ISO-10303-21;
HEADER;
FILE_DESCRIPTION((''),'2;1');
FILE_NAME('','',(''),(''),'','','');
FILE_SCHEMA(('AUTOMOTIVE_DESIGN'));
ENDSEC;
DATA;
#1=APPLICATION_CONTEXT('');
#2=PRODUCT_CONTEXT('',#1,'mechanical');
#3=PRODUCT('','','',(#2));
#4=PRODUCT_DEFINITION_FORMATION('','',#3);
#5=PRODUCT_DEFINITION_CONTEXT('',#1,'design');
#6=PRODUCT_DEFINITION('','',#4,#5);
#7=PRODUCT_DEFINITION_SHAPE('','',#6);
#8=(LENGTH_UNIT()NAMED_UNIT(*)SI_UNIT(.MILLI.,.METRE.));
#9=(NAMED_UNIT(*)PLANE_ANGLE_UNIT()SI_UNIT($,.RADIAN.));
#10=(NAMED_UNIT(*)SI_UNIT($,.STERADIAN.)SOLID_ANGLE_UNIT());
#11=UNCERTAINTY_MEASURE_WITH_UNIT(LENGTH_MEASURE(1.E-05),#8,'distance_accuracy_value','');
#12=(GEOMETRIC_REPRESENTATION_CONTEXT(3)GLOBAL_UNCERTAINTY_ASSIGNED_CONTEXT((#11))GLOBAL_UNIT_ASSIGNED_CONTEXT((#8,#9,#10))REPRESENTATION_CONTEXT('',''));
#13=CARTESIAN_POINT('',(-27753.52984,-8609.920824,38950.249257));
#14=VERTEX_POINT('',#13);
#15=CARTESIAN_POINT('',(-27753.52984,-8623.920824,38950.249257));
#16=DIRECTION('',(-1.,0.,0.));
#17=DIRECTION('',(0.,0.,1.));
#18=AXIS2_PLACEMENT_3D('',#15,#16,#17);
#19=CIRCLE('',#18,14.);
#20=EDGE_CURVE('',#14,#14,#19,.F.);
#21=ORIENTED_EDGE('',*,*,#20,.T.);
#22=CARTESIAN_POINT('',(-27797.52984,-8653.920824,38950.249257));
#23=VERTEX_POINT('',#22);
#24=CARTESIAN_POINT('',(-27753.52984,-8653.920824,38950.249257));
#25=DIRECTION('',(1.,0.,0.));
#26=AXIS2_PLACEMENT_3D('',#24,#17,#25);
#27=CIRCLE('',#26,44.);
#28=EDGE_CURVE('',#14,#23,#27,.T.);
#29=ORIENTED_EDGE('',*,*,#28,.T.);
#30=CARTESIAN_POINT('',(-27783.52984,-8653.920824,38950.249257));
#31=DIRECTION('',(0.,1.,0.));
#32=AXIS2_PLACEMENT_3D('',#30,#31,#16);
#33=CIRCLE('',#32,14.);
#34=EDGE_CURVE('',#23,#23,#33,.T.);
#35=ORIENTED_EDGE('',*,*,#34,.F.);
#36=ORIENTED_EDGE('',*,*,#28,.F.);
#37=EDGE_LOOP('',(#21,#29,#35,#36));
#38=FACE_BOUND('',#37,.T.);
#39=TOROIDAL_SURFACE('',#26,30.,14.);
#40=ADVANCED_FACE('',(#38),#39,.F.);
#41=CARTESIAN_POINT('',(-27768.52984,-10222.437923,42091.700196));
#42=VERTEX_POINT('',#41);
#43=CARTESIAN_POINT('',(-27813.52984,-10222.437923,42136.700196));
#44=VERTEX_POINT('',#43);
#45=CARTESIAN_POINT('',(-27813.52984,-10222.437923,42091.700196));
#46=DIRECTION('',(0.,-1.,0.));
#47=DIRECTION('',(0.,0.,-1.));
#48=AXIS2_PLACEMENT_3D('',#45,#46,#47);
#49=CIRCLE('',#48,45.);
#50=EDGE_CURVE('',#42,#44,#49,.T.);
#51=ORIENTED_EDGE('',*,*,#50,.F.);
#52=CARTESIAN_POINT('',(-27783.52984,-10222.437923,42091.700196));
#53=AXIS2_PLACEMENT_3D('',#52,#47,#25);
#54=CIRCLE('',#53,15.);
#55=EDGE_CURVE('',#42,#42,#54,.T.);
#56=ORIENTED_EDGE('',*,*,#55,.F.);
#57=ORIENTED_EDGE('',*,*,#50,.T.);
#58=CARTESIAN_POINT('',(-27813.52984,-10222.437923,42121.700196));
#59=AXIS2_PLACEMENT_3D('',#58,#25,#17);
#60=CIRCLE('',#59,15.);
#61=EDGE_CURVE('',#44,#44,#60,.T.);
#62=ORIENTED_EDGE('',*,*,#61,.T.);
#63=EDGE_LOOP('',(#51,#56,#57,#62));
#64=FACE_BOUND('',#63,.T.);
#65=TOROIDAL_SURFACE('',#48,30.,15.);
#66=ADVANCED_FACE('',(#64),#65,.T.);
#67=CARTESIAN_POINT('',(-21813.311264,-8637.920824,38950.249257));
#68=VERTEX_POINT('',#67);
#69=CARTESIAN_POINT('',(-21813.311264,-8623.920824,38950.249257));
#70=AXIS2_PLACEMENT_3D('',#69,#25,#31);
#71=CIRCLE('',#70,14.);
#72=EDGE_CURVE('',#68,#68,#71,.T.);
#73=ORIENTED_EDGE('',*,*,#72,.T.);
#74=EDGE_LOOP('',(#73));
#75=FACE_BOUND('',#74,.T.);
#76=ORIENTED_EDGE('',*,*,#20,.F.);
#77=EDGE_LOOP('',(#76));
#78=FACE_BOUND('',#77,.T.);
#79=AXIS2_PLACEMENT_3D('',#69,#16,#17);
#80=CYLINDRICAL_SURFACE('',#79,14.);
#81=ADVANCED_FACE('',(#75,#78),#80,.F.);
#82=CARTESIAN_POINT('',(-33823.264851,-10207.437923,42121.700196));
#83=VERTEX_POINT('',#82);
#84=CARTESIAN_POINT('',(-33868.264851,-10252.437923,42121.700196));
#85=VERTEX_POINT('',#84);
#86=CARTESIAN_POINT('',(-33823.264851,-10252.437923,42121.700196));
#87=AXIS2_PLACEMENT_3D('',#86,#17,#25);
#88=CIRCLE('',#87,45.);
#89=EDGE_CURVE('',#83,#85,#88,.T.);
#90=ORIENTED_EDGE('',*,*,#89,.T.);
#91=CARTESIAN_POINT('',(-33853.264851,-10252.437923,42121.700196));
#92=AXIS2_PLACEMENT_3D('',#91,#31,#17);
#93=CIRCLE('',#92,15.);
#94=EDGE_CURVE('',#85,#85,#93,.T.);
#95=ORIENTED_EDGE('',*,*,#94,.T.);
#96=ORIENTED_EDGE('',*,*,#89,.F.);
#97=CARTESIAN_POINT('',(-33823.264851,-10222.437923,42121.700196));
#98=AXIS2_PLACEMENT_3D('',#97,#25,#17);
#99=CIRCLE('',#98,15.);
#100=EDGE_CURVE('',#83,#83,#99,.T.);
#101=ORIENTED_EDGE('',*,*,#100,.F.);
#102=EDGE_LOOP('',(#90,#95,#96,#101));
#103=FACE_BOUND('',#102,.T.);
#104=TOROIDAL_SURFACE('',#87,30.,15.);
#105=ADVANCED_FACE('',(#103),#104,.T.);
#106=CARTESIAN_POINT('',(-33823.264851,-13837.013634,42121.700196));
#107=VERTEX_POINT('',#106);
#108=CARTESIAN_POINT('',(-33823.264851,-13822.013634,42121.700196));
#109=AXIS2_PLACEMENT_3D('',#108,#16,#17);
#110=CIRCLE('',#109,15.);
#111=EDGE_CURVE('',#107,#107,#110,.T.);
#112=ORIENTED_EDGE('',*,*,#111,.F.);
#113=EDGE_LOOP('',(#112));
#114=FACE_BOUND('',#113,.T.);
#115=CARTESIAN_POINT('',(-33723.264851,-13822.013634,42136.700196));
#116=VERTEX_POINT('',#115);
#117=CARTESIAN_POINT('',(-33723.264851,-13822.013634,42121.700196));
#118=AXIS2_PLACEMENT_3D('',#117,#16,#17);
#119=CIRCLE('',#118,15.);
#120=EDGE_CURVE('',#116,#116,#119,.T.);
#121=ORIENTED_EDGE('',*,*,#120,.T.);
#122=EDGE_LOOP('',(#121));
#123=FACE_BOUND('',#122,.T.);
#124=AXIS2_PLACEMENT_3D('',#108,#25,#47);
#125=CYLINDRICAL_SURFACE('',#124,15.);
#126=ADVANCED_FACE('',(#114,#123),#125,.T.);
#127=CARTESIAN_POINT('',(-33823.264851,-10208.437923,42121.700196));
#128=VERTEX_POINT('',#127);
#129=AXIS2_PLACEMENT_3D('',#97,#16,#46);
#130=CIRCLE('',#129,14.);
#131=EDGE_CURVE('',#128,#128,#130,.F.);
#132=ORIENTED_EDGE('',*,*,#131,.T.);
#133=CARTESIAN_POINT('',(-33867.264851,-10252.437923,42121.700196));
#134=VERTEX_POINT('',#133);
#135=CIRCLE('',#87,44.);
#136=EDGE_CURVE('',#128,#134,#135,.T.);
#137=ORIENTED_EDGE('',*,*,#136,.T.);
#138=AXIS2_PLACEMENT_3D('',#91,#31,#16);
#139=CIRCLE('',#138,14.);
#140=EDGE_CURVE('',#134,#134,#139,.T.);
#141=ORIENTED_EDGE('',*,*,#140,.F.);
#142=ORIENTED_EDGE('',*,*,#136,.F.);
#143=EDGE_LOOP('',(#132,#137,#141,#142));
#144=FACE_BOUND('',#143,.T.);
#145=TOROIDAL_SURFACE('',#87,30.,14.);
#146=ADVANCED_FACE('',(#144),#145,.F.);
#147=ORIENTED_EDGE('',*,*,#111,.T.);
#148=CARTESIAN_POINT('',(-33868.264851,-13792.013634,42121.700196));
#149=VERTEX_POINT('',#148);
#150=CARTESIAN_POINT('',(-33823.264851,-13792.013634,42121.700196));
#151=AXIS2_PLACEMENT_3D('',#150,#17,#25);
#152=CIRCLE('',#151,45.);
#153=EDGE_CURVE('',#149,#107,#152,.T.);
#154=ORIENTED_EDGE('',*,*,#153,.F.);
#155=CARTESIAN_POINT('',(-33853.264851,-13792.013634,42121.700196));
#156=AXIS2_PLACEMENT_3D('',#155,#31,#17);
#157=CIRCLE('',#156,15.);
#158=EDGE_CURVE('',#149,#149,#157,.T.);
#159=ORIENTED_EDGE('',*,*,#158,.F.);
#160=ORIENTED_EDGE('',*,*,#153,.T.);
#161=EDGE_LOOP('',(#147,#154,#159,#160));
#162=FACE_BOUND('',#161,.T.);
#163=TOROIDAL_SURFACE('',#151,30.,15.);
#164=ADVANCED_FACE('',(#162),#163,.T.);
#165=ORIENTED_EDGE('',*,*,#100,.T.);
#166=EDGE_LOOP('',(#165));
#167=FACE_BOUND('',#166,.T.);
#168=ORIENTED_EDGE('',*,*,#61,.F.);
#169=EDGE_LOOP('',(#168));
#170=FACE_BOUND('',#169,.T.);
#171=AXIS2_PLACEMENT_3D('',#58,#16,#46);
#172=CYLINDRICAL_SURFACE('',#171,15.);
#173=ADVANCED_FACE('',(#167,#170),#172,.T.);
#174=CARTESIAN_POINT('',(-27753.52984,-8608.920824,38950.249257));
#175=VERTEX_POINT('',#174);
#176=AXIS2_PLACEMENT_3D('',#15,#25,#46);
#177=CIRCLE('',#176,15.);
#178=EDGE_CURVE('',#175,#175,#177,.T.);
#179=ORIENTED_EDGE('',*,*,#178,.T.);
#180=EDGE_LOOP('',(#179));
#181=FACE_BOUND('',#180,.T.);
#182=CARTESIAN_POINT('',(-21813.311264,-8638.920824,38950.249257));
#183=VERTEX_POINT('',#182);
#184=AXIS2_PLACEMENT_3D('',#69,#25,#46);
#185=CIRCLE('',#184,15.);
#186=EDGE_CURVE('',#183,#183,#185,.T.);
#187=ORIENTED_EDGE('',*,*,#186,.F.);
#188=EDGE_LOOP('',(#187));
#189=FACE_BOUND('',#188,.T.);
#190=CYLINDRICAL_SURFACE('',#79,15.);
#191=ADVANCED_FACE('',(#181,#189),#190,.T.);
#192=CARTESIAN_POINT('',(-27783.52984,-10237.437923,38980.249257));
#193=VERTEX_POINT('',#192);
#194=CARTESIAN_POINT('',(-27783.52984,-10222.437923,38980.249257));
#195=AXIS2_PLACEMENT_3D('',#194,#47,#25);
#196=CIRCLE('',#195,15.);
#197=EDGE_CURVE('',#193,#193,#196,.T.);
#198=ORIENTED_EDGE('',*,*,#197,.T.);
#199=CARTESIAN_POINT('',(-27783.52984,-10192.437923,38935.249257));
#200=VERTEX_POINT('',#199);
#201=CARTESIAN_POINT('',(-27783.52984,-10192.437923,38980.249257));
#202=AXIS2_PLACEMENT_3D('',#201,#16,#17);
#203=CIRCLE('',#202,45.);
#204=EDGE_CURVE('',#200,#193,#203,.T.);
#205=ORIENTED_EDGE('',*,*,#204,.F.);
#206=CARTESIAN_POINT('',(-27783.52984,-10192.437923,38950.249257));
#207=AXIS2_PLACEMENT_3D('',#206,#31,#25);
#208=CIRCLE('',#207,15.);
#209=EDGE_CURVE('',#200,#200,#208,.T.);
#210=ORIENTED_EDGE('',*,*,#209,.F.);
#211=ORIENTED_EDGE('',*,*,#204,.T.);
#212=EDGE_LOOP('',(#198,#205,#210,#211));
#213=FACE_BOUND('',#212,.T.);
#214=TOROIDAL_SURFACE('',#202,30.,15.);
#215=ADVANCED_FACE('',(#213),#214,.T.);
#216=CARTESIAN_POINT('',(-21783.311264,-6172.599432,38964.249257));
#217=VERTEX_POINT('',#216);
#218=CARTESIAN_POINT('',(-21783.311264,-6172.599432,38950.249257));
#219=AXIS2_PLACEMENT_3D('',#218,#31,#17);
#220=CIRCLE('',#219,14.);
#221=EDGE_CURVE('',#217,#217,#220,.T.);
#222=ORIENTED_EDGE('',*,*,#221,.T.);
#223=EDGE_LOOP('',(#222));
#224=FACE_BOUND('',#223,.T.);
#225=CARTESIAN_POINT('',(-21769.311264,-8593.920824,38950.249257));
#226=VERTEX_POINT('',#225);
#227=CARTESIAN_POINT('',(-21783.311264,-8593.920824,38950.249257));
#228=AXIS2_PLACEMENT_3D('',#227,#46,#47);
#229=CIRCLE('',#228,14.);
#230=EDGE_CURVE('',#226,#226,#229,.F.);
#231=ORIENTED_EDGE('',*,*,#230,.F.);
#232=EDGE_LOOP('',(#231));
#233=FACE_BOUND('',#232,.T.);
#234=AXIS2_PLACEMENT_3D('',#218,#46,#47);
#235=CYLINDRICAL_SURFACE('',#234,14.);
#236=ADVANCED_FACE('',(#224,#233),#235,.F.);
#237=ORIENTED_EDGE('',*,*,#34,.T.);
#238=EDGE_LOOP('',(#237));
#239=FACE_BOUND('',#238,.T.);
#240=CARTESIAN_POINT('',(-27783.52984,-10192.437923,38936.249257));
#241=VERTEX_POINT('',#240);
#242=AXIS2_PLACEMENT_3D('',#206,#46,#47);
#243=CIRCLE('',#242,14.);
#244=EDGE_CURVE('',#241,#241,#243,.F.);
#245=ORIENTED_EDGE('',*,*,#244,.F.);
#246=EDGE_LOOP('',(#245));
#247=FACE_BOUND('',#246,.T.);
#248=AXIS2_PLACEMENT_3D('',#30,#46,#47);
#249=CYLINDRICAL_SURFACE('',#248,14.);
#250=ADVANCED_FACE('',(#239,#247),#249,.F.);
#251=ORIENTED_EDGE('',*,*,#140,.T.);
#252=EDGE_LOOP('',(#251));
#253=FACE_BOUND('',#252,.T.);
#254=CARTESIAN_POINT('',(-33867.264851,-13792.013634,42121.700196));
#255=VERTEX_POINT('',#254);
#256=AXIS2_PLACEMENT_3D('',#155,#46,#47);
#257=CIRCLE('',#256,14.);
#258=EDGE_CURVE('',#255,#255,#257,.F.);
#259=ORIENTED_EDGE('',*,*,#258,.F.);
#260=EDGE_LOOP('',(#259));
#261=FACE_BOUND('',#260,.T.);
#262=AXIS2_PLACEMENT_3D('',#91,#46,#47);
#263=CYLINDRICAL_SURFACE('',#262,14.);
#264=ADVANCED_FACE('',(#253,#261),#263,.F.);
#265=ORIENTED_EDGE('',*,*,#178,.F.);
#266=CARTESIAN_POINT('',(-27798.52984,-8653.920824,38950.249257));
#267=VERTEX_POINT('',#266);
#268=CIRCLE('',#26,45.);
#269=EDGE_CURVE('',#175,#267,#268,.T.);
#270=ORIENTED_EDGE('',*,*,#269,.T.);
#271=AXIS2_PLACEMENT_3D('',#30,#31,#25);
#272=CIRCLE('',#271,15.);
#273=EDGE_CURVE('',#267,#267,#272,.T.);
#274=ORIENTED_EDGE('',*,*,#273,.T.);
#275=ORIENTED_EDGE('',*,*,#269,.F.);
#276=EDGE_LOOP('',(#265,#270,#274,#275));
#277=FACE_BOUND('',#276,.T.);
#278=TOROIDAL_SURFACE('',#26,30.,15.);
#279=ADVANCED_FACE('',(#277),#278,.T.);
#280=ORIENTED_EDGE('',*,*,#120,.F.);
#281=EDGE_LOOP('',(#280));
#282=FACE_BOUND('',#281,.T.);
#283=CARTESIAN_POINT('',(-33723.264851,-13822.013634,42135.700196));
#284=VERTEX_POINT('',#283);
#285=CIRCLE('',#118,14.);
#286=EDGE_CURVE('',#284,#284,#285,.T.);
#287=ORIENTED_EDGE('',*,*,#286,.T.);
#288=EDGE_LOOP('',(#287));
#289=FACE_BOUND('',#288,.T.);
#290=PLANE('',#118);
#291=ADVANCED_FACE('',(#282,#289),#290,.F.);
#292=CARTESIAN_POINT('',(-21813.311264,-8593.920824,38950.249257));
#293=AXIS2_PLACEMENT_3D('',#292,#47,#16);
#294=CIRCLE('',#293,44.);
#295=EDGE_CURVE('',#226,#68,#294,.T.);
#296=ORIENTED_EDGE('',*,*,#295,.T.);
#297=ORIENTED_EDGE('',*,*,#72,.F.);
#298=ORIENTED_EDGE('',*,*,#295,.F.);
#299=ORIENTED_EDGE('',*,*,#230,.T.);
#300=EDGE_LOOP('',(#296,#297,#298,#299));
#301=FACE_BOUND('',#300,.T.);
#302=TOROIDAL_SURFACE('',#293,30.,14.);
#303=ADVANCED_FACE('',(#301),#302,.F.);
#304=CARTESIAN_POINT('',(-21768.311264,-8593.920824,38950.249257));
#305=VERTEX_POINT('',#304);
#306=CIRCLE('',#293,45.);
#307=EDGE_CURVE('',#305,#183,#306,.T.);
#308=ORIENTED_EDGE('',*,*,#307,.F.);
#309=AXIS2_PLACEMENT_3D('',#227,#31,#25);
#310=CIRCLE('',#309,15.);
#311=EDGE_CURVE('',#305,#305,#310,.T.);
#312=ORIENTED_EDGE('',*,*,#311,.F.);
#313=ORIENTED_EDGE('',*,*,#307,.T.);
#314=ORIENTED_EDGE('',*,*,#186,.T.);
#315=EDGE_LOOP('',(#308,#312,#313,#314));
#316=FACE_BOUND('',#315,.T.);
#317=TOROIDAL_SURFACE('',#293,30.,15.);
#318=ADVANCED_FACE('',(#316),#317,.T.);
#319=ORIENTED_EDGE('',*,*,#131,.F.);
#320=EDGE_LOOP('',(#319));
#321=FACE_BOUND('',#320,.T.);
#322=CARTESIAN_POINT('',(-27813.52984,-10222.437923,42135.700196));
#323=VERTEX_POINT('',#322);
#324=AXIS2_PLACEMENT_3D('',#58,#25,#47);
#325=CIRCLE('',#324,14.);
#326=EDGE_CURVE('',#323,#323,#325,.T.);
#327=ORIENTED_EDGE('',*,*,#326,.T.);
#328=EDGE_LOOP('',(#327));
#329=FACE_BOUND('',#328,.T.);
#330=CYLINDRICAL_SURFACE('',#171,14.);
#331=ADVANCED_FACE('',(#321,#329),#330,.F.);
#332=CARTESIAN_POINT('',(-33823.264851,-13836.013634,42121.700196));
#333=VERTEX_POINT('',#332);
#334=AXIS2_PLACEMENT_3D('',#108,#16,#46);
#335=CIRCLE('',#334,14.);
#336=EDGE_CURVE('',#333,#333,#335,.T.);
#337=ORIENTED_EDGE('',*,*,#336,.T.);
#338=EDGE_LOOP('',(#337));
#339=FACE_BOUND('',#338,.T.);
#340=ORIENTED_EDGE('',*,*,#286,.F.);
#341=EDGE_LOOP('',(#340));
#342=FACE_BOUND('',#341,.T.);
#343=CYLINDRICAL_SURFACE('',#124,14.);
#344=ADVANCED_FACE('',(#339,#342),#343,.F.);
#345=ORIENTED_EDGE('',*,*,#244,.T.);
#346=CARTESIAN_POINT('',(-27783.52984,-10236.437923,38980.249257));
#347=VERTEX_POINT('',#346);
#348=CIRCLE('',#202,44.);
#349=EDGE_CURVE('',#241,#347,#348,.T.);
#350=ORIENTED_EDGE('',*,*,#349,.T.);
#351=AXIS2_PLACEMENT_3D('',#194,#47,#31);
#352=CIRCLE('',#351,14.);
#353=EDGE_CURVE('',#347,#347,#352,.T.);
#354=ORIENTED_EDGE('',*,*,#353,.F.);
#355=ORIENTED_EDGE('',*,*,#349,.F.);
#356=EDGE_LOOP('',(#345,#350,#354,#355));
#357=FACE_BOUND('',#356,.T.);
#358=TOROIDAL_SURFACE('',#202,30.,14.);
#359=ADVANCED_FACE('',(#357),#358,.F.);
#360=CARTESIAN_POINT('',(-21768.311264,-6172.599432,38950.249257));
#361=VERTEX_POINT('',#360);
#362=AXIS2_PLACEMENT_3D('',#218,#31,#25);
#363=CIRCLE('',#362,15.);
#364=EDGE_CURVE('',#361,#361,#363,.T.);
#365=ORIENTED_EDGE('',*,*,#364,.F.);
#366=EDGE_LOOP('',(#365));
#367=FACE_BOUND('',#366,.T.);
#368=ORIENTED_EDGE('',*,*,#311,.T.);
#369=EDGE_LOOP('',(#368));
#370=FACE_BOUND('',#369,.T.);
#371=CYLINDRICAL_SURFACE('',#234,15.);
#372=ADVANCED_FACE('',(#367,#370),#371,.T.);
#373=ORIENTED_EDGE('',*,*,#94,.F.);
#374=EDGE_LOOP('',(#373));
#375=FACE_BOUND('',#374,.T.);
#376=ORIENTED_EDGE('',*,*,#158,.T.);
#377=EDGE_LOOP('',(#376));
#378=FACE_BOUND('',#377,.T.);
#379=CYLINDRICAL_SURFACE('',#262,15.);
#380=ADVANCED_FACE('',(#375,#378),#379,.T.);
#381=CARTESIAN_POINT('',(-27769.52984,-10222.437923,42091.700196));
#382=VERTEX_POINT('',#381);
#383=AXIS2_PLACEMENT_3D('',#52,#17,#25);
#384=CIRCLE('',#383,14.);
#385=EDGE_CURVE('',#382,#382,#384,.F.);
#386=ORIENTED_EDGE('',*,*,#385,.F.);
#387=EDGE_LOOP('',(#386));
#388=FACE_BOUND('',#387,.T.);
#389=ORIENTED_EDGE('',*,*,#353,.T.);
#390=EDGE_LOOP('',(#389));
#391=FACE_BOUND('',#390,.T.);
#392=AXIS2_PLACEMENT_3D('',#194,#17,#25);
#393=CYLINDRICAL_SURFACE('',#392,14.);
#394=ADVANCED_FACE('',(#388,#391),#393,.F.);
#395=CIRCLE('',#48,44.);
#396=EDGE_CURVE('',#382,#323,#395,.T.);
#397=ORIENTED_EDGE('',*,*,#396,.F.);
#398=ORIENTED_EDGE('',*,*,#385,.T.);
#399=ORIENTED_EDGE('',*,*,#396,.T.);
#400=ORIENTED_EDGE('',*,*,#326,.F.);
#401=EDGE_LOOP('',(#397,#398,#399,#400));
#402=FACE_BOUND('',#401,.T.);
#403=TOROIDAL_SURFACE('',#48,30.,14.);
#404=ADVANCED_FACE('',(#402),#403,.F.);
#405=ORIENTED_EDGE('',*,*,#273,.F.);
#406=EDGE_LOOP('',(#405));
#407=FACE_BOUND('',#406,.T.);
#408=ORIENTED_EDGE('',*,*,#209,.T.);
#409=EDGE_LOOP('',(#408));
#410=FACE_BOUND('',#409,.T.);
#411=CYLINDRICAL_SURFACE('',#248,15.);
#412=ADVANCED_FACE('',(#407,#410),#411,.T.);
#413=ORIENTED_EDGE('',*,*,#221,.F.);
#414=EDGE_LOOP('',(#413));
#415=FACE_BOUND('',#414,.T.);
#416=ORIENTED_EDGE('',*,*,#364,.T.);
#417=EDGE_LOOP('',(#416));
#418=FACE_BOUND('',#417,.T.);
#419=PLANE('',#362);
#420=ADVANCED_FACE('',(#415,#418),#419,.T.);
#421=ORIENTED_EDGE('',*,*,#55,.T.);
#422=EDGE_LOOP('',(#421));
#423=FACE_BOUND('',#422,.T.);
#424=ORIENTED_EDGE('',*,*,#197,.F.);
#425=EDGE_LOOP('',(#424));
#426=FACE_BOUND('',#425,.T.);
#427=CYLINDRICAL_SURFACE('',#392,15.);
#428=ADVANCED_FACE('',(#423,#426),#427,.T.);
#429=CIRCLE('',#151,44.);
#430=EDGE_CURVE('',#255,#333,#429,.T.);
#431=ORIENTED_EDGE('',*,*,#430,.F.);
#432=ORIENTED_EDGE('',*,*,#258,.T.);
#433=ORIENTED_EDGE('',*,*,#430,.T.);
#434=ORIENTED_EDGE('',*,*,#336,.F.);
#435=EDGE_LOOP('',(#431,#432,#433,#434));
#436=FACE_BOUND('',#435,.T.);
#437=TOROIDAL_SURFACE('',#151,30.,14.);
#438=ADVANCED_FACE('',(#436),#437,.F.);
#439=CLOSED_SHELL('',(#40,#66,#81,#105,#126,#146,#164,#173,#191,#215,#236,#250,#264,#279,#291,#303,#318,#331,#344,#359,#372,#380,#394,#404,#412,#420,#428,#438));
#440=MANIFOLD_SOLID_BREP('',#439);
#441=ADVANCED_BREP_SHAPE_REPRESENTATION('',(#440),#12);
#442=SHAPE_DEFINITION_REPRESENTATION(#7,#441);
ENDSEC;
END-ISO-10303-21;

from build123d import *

# Parameters (mm, degrees)
SWEEP_THIN1_PROFILE_R   = 15
SWEEP_THIN1_PROFILE_R_2 = 14


with BuildPart() as part:
    # Sweep-Thin1: sweep along a curve in space
    with BuildLine() as sweep_thin1_path:
        Line((-21783.311263711, -6172.599431658, 38950.249256714), (-21783.311263711, -8593.920823817, 38950.249256714))
        ThreePointArc((-21813.311263711, -8623.920823817, 38950.249256714), (-21792.098060276, -8615.134027253, 38950.249256714), (-21783.311263711, -8593.920823817, 38950.249256714))
        Line((-21813.311263711, -8623.920823817, 38950.249256714), (-27753.52983979, -8623.920823817, 38950.249256714))
        ThreePointArc((-27783.52983979, -8653.920823817, 38950.249256714), (-27774.743043225, -8632.707620381, 38950.249256714), (-27753.52983979, -8623.920823817, 38950.249256714))
        Line((-27783.52983979, -8653.920823817, 38950.249256714), (-27783.52983979, -10192.437923061, 38950.249256714))
        ThreePointArc((-27783.52983979, -10222.437923061, 38980.249256714), (-27783.52983979, -10213.651126497, 38959.036053279), (-27783.52983979, -10192.437923061, 38950.249256714))
        Line((-27783.52983979, -10222.437923061, 38980.249256714), (-27783.52983979, -10222.437923061, 42091.700196057))
        ThreePointArc((-27813.52983979, -10222.437923061, 42121.700196057), (-27792.316636354, -10222.437923061, 42112.913399492), (-27783.52983979, -10222.437923061, 42091.700196057))
        Line((-27813.52983979, -10222.437923061, 42121.700196057), (-33823.264850624, -10222.437923061, 42121.700196057))
        ThreePointArc((-33853.264850624, -10252.437923061, 42121.700196057), (-33844.47805406, -10231.224719626, 42121.700196057), (-33823.264850624, -10222.437923061, 42121.700196057))
        Line((-33853.264850624, -10252.437923061, 42121.700196057), (-33853.264850624, -13792.013633934, 42121.700196057))
        ThreePointArc((-33823.264850624, -13822.013633934, 42121.700196057), (-33844.47805406, -13813.22683737, 42121.700196057), (-33853.264850624, -13792.013633934, 42121.700196057))
        Line((-33823.264850624, -13822.013633934, 42121.700196057), (-33723.264850624, -13822.013633934, 42121.700196057))
    # Sweep-Thin1 profile (on start of the path) → Sweep-Thin1 (sweep)
    with BuildSketch(Plane(origin=(-21783.311263711, -6172.599431658, 38950.249256714), x_dir=(0, 0, -1), z_dir=(0, -1, 0))):
        Circle(SWEEP_THIN1_PROFILE_R)
        Circle(SWEEP_THIN1_PROFILE_R_2, mode=Mode.SUBTRACT)
    sweep(path=sweep_thin1_path.line)


solid = part.part
